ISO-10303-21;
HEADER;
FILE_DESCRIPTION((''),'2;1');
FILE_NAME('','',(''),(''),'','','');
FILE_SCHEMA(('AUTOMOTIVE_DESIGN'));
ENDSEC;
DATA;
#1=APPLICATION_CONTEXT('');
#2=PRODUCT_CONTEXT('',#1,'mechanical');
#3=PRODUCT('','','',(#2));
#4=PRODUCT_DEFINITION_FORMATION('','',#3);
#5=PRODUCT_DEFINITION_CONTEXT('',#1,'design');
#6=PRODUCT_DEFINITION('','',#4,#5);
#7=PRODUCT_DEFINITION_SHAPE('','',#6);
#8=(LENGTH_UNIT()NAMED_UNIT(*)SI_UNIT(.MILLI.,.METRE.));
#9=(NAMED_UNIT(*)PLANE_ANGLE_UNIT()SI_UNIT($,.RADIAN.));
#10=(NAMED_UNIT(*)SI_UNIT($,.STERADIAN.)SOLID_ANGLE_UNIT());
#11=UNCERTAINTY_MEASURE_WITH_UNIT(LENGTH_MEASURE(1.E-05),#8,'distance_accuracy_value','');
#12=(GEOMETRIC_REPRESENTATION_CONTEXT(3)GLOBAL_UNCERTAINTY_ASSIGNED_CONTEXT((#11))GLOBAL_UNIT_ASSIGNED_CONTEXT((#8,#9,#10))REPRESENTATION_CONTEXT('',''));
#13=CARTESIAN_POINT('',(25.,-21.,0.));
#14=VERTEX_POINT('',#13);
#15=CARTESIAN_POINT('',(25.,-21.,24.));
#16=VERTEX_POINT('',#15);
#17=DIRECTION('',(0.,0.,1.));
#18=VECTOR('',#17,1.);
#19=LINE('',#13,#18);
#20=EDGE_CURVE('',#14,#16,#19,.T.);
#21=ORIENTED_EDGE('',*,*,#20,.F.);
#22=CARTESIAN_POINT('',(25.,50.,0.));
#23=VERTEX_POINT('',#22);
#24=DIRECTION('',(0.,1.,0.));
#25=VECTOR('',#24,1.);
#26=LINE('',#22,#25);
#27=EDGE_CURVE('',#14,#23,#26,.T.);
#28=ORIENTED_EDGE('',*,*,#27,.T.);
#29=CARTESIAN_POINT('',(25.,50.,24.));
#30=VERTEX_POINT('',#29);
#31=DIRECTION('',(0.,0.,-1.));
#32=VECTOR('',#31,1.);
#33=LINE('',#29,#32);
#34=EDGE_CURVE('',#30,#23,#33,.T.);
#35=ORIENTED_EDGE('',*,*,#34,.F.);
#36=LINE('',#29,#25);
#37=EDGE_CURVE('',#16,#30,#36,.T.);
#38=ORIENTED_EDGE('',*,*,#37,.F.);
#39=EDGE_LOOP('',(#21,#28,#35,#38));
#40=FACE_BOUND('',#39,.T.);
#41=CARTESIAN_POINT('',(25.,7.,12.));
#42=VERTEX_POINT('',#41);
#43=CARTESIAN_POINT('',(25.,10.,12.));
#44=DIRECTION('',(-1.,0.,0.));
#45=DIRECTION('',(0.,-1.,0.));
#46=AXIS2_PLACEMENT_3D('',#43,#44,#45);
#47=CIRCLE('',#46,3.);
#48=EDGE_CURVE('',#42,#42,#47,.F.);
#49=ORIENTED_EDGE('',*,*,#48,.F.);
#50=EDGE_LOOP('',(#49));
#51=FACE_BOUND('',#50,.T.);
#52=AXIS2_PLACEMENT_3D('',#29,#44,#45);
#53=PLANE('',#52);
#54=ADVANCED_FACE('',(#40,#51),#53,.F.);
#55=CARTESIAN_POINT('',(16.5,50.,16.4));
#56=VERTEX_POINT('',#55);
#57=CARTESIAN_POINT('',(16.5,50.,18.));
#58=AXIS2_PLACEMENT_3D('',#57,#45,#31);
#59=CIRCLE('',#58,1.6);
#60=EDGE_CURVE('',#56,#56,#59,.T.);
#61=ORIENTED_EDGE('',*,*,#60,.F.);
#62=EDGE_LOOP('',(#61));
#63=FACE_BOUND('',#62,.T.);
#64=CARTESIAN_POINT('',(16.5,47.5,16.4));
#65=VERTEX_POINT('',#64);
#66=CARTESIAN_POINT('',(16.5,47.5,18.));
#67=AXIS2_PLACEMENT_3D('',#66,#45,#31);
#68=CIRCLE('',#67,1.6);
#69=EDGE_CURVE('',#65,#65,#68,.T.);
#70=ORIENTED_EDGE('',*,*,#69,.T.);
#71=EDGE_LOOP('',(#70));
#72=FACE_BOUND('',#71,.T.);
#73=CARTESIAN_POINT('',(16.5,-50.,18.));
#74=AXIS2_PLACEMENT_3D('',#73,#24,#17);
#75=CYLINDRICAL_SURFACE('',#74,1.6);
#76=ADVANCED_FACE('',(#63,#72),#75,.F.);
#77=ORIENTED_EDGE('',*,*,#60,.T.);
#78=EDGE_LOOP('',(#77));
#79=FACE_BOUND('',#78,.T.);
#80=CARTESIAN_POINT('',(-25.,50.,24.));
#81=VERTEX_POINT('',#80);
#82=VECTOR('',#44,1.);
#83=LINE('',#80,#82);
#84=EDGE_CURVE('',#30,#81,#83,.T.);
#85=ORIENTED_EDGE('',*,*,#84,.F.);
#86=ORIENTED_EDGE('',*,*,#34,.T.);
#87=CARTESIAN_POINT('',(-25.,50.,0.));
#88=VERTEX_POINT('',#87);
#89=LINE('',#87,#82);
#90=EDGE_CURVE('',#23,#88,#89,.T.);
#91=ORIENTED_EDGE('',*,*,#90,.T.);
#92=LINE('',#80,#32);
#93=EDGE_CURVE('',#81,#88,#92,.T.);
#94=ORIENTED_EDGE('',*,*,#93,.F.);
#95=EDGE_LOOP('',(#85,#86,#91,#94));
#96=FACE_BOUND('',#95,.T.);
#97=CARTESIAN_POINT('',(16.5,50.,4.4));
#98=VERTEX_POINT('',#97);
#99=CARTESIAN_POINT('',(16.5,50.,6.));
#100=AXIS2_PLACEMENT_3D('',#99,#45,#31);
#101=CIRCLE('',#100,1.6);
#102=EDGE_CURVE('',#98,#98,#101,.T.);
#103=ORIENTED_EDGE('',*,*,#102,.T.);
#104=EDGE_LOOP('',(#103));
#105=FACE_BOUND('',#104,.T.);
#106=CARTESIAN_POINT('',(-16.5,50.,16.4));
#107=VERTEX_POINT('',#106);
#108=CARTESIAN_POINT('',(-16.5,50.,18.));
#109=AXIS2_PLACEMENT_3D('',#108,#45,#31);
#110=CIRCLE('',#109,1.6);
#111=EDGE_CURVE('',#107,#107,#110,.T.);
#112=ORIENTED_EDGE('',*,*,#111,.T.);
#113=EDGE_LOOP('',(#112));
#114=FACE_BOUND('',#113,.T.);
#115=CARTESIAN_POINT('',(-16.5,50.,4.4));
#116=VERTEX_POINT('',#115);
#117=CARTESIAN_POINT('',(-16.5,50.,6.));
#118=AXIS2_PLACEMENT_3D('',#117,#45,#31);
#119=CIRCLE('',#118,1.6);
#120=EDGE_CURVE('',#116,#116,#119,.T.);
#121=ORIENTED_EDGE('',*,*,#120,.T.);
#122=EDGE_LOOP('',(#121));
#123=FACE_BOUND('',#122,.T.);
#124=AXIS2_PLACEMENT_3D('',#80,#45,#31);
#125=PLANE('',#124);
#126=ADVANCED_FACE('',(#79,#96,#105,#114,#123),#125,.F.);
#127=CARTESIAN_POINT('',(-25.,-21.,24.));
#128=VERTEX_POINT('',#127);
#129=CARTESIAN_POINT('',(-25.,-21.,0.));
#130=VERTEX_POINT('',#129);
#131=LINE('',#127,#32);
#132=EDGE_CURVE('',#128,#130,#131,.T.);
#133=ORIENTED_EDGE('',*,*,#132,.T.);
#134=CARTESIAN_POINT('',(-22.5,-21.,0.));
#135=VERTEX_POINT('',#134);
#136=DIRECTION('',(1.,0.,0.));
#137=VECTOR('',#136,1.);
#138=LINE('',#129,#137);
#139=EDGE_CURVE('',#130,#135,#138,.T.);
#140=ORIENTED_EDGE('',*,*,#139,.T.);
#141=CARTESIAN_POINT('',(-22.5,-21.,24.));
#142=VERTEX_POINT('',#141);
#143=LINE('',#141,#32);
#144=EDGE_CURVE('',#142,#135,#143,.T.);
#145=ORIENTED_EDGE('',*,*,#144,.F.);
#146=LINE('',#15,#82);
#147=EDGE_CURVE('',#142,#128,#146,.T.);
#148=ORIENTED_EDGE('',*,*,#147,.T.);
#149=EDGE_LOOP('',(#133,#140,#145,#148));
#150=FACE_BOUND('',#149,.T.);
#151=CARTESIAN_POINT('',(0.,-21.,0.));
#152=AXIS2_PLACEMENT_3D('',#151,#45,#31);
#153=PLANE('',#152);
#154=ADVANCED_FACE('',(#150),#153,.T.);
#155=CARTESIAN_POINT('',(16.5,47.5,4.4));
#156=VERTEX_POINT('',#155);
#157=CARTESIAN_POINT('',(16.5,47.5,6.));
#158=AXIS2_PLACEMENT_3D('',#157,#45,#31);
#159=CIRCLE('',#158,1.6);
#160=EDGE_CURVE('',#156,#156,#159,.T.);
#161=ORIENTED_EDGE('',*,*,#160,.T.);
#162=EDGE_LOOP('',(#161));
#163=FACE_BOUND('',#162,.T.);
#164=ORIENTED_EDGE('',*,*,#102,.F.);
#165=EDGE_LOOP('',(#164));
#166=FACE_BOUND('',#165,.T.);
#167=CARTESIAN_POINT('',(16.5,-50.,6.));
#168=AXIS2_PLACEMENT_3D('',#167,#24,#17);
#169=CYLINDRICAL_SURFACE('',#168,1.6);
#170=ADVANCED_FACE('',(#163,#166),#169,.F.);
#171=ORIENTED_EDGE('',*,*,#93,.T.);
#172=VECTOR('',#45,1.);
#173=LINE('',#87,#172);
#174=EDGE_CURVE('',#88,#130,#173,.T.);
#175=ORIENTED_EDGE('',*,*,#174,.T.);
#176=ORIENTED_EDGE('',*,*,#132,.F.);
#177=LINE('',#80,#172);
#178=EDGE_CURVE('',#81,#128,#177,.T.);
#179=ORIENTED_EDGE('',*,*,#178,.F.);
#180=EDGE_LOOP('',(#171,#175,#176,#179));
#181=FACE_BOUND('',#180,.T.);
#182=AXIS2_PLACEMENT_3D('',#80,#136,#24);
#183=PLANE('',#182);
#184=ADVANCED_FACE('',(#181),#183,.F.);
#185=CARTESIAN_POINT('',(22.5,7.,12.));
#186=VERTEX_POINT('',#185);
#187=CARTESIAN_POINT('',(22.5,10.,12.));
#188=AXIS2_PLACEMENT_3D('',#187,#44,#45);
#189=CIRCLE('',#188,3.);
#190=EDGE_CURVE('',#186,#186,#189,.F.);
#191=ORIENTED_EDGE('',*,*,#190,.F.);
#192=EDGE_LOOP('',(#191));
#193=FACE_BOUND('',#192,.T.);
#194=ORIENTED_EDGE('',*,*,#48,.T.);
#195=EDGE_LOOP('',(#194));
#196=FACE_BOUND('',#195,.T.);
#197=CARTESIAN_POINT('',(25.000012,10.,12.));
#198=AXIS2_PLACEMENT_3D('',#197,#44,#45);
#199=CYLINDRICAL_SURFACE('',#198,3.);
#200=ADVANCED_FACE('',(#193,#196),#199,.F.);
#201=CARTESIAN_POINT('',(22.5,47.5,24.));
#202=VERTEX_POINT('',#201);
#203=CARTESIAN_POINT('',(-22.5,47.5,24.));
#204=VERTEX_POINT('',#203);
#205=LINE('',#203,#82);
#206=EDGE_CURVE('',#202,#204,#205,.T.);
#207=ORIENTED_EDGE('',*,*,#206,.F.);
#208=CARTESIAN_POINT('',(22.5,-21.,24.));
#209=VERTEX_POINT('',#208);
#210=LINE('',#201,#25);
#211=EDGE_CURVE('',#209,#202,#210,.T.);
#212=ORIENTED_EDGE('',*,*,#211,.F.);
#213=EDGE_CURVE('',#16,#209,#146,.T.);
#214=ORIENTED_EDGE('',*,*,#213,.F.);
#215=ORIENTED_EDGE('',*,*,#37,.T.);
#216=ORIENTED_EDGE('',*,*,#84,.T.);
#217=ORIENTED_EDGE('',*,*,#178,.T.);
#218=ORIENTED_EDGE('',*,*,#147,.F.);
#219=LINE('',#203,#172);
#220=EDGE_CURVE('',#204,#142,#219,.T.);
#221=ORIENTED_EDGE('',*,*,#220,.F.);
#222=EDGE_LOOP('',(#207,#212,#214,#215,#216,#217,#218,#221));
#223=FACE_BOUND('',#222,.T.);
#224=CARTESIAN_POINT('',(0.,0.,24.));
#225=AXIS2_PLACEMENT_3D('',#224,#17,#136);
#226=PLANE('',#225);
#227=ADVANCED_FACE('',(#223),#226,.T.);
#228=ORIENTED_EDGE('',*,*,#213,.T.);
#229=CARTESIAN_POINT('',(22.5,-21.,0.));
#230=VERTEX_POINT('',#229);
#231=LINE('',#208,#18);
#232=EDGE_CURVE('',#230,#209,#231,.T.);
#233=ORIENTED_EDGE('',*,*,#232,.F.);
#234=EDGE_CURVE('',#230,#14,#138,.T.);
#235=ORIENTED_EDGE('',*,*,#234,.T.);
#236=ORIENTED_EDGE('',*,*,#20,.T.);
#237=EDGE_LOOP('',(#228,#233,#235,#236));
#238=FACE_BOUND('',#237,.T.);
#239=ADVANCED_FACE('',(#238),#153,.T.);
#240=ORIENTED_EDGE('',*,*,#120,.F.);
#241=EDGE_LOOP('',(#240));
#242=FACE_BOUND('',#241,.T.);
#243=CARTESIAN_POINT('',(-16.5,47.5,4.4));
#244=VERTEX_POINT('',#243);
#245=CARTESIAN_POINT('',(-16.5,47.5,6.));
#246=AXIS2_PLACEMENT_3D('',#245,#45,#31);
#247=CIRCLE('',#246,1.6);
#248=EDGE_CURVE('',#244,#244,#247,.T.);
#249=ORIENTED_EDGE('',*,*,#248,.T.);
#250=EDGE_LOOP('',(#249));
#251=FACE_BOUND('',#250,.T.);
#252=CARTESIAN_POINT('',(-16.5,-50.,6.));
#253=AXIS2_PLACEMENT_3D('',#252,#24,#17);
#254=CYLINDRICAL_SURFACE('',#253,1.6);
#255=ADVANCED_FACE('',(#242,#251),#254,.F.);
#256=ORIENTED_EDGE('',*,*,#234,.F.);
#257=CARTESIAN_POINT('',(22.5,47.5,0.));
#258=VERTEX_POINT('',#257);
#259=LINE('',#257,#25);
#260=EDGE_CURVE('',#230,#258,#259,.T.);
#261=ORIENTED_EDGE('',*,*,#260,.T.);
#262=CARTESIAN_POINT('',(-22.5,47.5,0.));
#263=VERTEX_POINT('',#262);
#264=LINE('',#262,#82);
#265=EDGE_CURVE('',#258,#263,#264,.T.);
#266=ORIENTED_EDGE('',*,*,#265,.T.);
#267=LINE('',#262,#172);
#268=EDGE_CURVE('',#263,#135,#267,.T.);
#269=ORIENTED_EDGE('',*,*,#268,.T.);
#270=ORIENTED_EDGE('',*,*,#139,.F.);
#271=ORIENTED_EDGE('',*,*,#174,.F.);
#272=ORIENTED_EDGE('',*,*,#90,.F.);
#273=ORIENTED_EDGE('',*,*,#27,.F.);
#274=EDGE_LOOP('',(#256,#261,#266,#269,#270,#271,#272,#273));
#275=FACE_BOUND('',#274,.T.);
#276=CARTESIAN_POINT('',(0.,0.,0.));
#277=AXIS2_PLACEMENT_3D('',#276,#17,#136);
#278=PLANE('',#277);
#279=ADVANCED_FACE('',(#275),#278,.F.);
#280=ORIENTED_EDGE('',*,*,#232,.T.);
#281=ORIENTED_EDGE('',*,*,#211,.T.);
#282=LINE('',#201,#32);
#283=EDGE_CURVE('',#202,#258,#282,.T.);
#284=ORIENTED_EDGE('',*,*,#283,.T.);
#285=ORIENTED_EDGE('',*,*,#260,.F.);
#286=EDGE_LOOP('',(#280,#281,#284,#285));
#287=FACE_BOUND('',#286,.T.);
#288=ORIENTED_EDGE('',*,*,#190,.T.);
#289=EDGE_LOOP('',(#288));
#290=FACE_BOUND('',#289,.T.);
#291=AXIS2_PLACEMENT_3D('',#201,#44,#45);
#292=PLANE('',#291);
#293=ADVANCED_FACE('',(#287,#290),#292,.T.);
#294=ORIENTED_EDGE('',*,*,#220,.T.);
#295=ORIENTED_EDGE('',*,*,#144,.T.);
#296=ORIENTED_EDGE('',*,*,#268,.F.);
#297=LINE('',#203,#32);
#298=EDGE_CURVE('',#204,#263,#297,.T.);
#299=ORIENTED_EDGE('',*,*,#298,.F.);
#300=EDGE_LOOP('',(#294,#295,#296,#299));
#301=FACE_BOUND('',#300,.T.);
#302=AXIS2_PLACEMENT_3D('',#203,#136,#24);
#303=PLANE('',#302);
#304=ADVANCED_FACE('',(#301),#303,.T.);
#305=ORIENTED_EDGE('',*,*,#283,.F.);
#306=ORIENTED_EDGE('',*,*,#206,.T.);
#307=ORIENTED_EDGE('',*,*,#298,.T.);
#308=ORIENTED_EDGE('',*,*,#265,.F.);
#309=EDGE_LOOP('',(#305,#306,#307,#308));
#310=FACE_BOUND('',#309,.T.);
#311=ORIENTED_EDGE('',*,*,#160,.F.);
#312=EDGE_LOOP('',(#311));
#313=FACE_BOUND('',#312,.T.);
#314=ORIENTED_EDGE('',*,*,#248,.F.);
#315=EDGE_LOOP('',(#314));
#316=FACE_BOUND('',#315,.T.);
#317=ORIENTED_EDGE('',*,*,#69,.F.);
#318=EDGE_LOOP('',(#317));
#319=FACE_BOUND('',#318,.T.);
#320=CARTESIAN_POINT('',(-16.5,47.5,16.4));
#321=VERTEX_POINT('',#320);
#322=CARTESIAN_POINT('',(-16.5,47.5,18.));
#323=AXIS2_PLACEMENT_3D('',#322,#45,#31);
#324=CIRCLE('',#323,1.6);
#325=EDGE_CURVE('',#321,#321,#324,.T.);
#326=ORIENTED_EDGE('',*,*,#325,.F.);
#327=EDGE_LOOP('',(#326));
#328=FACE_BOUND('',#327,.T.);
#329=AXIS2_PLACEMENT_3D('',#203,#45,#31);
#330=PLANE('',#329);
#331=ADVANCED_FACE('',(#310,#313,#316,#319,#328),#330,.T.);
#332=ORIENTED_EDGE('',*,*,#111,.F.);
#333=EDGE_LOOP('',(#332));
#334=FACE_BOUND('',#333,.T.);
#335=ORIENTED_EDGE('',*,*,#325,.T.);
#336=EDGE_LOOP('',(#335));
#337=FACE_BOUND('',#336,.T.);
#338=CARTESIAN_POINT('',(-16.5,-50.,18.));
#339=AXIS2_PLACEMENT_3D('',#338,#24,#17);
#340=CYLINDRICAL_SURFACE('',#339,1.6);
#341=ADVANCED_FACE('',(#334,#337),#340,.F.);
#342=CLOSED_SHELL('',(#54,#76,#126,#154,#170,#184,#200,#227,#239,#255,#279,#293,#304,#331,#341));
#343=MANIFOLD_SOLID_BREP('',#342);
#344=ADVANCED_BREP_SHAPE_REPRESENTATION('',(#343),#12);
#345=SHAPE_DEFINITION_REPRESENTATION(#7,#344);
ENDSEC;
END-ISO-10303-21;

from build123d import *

# Parameters (mm, degrees)
SKETCH_1_W                      = 50
SKETCH_1_H                      = 100
SKETCH_1_W_2                    = 45
SKETCH_1_H_2                    = 95
EXTRUDE_1_DEPTH                 = 24
SKETCH_3_R                      = 1.6
CUT_EXTRUDE_2_DEPTH             = 1
CUT_EXTRUDE_2_DEPTH_BACK        = 101
CUT_EXTRUDE_3_REACH             = 52
SKETCH_4_R                      = 3
SKETCH_4_R_2                    = 4
CUT_EXTRUDE_3_DIRECTION_2_DEPTH = 1
SKETCH_5_W                      = 50
SKETCH_5_H                      = 24
CUT_EXTRUDE_4_DEPTH             = 29


with BuildPart() as part:
    # ｽｹｯﾁ1 → ﾎﾞｽ - 押し出し1 (new body)
    with BuildSketch(Plane.XY):
        Rectangle(SKETCH_1_W, SKETCH_1_H)
        Rectangle(SKETCH_1_W_2, SKETCH_1_H_2, mode=Mode.SUBTRACT)
    extrude(amount=EXTRUDE_1_DEPTH)

    # ｽｹｯﾁ3 → ｶｯﾄ - 押し出し2 (cut, two sides)
    with BuildSketch(Plane(origin=(0, 50, 0), x_dir=(1, 0, 0), z_dir=(0, 1, 0))) as cut_extrude_2_sk:
        with Locations((-16.5, -6)):
            Circle(SKETCH_3_R)
        with Locations((16.5, -6)):
            Circle(SKETCH_3_R)
        with Locations((16.5, -18)):
            Circle(SKETCH_3_R)
        with Locations((-16.5, -18)):
            Circle(SKETCH_3_R)
    extrude(amount=CUT_EXTRUDE_2_DEPTH, mode=Mode.SUBTRACT)
    extrude(cut_extrude_2_sk.sketch, amount=-CUT_EXTRUDE_2_DEPTH_BACK, mode=Mode.SUBTRACT)

    # ｽｹｯﾁ4 → ｶｯﾄ - 押し出し3 (cut, up to next)
    with BuildSketch(Plane(origin=(25, 0, 0), x_dir=(0, 0, -1), z_dir=(1, 0, 0)), mode=Mode.PRIVATE) as cut_extrude_3_sk1:
        with Locations((-12, 10)):
            Circle(SKETCH_4_R)
    cut_extrude_3_tool1 = extrude(cut_extrude_3_sk1.sketch, amount=-CUT_EXTRUDE_3_REACH, mode=Mode.PRIVATE) & part.part
    add(cut_extrude_3_tool1.solids().sort_by_distance((25, 10, 12))[0], mode=Mode.SUBTRACT)
    # ｽｹｯﾁ4 → ｶｯﾄ - 押し出し3 (cut, up to next)
    with BuildSketch(Plane(origin=(25, 0, 0), x_dir=(0, 0, -1), z_dir=(1, 0, 0)), mode=Mode.PRIVATE) as cut_extrude_3_sk2:
        with Locations((-12, -30)):
            Circle(SKETCH_4_R_2)
    cut_extrude_3_tool2 = extrude(cut_extrude_3_sk2.sketch, amount=-CUT_EXTRUDE_3_REACH, mode=Mode.PRIVATE) & part.part
    add(cut_extrude_3_tool2.solids().sort_by_distance((25, -30, 12))[0], mode=Mode.SUBTRACT)

    # ｽｹｯﾁ4 → ｶｯﾄ - 押し出し3 direction 2 (cut)
    with BuildSketch(Plane(origin=(25, 0, 0), x_dir=(0, 0, -1), z_dir=(1, 0, 0))):
        with Locations((-12, 10)):
            Circle(SKETCH_4_R)
        with Locations((-12, -30)):
            Circle(SKETCH_4_R_2)
    extrude(amount=CUT_EXTRUDE_3_DIRECTION_2_DEPTH, mode=Mode.SUBTRACT)

    # ｽｹｯﾁ5 → ｶｯﾄ - 押し出し4 (cut)
    with BuildSketch(Plane.XZ.offset(50)):
        with Locations((0, 12)):
            Rectangle(SKETCH_5_W, SKETCH_5_H)
    extrude(amount=-CUT_EXTRUDE_4_DEPTH, mode=Mode.SUBTRACT)


solid = part.part
